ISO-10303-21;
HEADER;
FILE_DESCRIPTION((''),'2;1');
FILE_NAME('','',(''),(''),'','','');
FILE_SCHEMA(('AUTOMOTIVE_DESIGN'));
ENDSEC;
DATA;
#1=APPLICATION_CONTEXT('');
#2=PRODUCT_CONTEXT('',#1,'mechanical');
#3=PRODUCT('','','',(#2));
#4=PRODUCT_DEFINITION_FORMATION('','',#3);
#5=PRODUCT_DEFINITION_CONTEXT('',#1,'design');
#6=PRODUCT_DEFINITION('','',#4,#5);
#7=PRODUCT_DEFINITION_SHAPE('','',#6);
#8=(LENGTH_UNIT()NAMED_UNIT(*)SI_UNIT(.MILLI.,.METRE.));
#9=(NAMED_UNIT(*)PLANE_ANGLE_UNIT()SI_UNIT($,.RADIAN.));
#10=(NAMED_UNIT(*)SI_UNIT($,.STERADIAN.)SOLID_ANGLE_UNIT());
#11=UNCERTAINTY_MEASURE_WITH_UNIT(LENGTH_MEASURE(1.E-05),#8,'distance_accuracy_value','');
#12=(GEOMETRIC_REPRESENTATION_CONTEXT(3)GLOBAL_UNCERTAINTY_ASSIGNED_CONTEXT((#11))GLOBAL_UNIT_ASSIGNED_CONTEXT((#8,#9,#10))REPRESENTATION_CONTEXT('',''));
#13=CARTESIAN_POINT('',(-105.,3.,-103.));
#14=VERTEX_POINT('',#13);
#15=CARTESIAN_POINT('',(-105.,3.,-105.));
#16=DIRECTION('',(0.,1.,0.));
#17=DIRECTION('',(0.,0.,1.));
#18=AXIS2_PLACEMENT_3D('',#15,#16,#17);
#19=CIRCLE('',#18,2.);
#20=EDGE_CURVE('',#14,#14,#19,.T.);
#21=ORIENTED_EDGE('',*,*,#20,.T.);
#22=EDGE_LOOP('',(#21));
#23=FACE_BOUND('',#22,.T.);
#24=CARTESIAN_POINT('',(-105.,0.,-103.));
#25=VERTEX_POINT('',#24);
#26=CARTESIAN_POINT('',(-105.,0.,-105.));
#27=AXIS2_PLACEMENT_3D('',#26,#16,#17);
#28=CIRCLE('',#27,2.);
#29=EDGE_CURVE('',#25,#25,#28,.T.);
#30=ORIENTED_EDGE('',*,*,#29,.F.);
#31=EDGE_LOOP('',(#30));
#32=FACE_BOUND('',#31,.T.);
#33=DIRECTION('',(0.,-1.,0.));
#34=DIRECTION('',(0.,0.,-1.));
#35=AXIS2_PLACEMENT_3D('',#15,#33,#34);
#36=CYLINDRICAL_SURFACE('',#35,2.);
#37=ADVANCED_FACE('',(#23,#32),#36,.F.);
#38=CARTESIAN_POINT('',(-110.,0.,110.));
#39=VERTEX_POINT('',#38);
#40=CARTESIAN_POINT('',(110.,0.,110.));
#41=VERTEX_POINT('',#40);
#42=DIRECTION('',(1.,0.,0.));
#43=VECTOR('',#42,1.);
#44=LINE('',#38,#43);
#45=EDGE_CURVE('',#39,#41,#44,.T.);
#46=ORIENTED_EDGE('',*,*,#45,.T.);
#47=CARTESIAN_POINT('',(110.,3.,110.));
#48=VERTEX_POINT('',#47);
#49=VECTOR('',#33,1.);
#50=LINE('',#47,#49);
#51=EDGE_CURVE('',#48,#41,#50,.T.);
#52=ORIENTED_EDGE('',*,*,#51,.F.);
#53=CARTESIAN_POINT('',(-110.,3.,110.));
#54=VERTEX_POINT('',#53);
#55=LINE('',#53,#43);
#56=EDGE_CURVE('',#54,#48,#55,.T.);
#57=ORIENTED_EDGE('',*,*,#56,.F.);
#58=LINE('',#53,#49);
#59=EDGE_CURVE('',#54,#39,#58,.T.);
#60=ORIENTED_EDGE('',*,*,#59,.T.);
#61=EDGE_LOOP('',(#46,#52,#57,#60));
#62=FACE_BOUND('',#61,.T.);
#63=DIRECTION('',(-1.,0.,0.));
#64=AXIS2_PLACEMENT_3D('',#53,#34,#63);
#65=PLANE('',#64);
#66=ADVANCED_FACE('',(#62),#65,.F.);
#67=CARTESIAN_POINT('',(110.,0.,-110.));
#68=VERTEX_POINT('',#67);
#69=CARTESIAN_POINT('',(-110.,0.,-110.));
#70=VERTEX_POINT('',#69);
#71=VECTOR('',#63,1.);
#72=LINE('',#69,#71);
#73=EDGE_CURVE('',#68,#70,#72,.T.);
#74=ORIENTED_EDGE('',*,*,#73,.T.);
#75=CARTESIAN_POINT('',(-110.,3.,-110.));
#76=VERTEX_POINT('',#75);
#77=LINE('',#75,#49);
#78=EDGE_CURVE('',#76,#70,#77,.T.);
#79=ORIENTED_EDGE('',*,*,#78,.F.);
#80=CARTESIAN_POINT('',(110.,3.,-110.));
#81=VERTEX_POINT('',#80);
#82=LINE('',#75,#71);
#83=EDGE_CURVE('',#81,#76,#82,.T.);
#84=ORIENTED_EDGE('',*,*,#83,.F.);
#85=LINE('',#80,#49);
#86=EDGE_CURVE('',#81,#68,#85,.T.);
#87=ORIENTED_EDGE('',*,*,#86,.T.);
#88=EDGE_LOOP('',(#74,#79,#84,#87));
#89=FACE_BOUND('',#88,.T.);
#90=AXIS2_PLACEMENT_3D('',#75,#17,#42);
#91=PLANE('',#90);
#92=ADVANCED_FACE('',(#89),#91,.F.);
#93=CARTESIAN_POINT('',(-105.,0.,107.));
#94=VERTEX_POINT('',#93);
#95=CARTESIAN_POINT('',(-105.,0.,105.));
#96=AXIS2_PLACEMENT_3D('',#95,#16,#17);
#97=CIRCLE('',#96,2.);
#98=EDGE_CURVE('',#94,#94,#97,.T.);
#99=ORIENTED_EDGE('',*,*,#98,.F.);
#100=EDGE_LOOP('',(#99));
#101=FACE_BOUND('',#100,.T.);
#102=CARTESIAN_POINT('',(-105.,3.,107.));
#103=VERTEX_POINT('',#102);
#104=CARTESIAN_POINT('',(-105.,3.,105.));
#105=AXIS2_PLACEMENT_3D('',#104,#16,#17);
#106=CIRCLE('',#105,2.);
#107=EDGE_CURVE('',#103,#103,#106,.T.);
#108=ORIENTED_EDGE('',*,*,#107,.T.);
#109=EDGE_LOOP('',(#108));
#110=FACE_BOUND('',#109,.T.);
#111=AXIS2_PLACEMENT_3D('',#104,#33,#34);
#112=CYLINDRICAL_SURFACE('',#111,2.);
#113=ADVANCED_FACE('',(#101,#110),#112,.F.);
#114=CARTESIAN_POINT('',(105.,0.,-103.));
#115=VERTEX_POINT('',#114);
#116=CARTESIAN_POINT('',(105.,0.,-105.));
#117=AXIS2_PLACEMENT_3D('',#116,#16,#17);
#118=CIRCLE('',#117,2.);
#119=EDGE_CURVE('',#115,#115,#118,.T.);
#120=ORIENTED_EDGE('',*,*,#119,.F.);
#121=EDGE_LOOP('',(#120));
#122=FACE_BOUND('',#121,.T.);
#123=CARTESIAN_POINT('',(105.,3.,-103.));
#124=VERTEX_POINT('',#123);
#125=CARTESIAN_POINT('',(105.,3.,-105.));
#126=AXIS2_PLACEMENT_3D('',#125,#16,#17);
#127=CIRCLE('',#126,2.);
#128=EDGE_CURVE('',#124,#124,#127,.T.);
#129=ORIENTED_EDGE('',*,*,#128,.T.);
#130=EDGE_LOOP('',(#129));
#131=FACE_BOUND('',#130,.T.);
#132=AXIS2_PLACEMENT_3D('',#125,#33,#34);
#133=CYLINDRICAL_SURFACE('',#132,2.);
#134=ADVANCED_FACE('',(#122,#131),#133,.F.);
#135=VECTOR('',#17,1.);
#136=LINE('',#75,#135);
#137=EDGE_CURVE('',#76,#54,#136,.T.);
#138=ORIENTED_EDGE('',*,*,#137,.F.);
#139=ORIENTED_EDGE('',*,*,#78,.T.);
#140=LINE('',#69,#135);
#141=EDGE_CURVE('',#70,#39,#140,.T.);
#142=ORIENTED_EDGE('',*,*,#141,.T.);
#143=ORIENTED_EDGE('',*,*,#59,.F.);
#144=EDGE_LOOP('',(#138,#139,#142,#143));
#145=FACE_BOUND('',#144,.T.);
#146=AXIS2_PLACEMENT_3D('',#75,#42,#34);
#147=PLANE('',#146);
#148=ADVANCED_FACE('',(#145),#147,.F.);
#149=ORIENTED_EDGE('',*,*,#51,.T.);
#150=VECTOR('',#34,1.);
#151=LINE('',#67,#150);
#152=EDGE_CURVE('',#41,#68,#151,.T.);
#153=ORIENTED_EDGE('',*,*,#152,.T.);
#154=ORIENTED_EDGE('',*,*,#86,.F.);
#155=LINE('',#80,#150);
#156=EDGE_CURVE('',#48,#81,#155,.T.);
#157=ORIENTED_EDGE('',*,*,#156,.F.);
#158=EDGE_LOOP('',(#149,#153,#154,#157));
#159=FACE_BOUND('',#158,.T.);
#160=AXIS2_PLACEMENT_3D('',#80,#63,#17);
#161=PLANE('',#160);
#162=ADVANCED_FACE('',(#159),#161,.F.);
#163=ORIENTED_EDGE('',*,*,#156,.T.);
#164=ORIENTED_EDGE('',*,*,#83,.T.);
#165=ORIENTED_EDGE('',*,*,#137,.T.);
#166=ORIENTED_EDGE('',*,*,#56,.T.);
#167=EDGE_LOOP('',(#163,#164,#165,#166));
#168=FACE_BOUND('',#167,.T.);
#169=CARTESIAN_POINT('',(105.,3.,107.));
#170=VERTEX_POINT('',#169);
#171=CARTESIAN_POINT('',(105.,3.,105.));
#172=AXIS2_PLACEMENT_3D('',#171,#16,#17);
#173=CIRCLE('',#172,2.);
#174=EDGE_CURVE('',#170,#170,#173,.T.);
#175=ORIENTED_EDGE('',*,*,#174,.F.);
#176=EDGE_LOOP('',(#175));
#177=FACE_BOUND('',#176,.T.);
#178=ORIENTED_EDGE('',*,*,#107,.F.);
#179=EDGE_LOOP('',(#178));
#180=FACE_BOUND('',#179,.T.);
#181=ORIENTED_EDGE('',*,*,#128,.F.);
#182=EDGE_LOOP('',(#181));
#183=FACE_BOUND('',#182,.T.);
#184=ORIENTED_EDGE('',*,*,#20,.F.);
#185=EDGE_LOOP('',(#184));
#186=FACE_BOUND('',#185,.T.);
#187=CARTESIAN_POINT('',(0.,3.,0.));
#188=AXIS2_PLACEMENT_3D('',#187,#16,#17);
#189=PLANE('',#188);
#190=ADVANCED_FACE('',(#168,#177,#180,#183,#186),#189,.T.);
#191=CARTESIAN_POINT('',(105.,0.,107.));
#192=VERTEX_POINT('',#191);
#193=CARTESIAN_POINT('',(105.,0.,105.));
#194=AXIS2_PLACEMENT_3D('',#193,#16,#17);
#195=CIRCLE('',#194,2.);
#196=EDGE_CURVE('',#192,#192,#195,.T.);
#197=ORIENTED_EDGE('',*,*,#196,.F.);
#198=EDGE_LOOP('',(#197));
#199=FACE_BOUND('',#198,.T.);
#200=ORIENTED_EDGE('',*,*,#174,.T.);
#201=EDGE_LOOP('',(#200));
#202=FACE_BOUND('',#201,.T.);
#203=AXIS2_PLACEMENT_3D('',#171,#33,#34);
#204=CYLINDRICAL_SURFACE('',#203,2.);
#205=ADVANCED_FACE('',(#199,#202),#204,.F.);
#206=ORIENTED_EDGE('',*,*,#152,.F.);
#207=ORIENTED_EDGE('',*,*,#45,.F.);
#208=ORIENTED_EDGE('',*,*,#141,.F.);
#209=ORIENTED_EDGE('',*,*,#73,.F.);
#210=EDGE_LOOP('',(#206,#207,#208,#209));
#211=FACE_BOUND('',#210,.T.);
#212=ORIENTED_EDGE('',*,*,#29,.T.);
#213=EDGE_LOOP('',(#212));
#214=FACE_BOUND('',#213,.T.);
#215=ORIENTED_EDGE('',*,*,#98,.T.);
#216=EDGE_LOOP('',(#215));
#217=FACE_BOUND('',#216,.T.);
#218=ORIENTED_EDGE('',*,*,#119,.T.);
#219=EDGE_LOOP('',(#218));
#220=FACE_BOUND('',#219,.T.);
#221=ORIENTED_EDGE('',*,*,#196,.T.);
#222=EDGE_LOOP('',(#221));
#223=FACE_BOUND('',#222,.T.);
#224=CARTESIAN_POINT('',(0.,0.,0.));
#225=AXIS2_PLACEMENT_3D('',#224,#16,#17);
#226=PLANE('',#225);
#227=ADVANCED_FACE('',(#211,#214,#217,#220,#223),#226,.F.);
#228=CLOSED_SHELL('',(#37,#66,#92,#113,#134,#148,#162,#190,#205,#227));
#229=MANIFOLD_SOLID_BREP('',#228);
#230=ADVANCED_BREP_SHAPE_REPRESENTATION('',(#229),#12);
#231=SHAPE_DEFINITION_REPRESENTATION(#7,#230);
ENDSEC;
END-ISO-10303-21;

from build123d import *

# Parameters (mm, degrees)
SKETCH1_W           = 220
SKETCH1_H           = 220
SKETCH1_R           = 2
BOSS_EXTRUDE1_DEPTH = 3


with BuildPart() as part:
    # Sketch1 → Boss-Extrude1 (new body)
    with BuildSketch(Plane(origin=(0, 0, 0), x_dir=(1, 0, 0), z_dir=(0, 1, 0))):
        Rectangle(SKETCH1_W, SKETCH1_H)
        with Locations(Location((105, 105, 0), (0, 0, 270))):
            Circle(SKETCH1_R, mode=Mode.SUBTRACT)
        with Locations(Location((105, -105, 0), (0, 0, 270))):
            Circle(SKETCH1_R, mode=Mode.SUBTRACT)
        with Locations(Location((-105, -105, 0), (0, 0, 270))):
            Circle(SKETCH1_R, mode=Mode.SUBTRACT)
        with Locations(Location((-105, 105, 0), (0, 0, 270))):
            Circle(SKETCH1_R, mode=Mode.SUBTRACT)
    extrude(amount=BOSS_EXTRUDE1_DEPTH)


solid = part.part
